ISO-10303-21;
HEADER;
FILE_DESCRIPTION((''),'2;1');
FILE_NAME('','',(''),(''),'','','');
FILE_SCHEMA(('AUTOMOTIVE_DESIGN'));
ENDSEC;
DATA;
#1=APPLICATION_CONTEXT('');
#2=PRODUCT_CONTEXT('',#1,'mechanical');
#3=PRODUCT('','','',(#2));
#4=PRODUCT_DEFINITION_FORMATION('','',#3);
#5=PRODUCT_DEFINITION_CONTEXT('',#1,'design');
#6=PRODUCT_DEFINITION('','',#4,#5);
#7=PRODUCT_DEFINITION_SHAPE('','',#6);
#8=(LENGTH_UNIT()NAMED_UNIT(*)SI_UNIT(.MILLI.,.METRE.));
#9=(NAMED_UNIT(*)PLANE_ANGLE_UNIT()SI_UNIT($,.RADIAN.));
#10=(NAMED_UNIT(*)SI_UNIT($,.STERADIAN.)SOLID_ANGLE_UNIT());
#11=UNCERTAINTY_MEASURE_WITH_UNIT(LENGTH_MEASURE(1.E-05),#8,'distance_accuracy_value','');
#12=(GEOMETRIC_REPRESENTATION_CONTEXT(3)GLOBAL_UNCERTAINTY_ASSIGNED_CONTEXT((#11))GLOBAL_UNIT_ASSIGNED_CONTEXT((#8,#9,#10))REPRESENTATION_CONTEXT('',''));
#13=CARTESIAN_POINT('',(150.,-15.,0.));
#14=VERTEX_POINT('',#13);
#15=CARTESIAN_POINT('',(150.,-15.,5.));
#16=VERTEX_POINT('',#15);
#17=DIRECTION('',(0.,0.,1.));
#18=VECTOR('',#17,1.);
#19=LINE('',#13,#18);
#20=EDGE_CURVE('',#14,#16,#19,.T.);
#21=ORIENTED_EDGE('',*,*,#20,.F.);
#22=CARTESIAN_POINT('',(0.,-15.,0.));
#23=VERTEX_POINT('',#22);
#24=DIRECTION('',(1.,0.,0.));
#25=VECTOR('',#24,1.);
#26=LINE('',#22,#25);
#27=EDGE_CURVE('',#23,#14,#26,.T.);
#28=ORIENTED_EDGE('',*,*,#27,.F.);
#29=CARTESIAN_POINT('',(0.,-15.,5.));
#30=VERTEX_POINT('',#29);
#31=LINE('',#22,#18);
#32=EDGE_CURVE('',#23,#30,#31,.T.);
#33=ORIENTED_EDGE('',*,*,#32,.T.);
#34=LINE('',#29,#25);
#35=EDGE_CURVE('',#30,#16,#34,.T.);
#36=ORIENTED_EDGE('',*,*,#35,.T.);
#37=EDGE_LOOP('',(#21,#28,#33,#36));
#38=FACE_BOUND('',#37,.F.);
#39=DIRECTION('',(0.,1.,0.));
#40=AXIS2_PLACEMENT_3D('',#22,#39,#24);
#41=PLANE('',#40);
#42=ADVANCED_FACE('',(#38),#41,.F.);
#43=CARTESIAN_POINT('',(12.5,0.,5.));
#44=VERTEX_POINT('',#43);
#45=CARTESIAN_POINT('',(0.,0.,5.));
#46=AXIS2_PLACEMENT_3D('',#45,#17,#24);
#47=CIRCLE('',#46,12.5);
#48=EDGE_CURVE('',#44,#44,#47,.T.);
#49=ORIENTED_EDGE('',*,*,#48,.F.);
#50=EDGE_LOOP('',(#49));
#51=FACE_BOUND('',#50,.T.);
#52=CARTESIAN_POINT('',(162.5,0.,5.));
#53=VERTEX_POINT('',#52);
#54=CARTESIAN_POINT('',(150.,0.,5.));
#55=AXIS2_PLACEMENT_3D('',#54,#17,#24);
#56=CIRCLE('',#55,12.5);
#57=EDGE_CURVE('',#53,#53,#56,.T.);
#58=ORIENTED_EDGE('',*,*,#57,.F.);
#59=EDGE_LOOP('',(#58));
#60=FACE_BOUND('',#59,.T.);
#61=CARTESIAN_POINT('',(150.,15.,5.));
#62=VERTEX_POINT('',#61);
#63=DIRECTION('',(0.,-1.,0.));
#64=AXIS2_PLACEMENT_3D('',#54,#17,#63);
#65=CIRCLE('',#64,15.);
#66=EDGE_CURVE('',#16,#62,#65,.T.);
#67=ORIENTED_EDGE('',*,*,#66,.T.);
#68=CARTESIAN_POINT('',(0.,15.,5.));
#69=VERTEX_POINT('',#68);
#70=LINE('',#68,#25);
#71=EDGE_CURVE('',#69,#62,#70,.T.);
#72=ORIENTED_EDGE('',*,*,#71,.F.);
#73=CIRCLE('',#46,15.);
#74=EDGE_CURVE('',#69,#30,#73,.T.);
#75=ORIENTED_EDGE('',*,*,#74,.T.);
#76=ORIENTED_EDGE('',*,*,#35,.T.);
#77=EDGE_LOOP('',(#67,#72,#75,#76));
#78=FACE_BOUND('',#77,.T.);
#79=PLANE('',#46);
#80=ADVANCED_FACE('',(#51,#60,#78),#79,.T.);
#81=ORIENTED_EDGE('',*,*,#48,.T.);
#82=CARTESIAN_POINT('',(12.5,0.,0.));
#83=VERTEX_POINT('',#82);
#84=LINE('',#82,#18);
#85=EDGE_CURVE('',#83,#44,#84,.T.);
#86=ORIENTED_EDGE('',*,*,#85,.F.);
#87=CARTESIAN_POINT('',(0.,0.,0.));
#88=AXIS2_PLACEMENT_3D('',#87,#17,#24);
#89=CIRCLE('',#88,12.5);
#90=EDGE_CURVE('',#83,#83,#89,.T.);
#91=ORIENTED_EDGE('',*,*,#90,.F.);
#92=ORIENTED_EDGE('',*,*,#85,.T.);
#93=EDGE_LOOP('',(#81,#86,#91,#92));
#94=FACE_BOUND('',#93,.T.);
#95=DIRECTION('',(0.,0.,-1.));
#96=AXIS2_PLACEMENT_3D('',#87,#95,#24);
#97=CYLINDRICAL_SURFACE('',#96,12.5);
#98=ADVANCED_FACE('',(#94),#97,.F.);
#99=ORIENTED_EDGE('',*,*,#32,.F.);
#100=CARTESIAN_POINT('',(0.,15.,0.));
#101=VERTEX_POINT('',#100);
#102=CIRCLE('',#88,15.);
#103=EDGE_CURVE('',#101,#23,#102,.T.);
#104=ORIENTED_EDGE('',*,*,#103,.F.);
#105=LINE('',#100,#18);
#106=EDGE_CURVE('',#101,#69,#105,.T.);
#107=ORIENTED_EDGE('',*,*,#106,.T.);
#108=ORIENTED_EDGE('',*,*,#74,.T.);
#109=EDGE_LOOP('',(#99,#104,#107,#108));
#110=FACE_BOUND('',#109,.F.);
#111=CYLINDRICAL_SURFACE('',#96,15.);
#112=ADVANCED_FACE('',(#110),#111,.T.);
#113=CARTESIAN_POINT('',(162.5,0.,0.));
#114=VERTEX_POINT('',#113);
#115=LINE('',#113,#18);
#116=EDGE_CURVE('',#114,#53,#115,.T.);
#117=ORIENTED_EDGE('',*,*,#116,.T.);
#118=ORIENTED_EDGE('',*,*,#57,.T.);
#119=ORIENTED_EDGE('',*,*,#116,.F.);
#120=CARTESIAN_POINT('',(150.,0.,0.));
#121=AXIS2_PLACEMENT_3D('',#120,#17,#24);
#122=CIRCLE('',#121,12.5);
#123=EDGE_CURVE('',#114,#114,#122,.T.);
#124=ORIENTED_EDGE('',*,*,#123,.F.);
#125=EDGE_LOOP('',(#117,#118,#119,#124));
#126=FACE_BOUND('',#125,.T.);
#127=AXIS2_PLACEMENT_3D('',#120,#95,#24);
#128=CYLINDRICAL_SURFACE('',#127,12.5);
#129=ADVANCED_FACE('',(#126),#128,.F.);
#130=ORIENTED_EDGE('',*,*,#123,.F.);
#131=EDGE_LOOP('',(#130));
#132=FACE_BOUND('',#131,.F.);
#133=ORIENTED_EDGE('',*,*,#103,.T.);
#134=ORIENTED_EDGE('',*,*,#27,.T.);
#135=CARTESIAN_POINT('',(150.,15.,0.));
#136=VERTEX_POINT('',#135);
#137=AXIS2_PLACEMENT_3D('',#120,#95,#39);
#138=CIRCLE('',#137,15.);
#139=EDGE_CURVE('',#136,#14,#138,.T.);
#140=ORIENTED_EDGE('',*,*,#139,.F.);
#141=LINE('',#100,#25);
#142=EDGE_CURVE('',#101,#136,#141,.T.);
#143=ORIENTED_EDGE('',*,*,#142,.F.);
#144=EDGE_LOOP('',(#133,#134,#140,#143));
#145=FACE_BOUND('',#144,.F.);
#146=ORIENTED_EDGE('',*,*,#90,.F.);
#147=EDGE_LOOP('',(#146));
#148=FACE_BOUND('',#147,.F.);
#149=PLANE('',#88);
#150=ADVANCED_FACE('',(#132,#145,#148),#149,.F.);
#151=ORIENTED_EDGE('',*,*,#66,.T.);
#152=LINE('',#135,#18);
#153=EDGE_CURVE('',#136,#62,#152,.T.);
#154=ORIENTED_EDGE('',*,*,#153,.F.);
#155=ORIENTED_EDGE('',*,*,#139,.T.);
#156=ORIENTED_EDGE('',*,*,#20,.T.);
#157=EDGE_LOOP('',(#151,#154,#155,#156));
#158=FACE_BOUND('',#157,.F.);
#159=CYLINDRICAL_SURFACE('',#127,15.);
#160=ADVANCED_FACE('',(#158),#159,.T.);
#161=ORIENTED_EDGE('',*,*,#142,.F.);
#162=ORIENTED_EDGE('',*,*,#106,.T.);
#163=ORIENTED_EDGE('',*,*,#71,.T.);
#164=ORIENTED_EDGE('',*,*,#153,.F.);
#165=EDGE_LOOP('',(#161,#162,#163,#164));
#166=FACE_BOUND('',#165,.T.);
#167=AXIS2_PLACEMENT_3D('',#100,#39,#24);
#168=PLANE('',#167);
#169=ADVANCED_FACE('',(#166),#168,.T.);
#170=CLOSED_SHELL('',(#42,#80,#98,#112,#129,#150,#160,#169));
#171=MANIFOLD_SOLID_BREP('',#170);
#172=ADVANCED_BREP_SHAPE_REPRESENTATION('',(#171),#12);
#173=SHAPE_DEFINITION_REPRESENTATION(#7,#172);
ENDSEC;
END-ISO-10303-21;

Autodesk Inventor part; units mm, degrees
ref_plane "YZ Plane" through (0, 0, 0) normal (1, 0, 0) x (0, 1, 0)
ref_plane "XZ Plane" through (0, 0, 0) normal (0, 1, 0) x (-1, 0, 0)
ref_plane "XY Plane" through (0, 0, 0) normal (0, 0, 1) x (1, 0, 0)
sketch "Boceto1" plane through (0, 0, 0) normal (0, 0, 1) x (1, 0, 0)
  circle A0 centre (0, 0) radius 12.5
  circle A1 centre (150, 0) radius 12.5
  circle A2 centre (0, 0) radius 15
  circle A3 centre (150, 0) radius 15
  line L0 (0, 15) -> (150, 15)
  line L1 (0, -15) -> (150, -15)
  dimension "d0" = 25
  dimension "d1" = 25
  dimension "d2" = 30
  dimension "d3" = 30
  dimension "d4" = 150
extrude "Extrusión1" add sketch "Boceto1" along normal blind 5
properties part number "union_cil_tal"
